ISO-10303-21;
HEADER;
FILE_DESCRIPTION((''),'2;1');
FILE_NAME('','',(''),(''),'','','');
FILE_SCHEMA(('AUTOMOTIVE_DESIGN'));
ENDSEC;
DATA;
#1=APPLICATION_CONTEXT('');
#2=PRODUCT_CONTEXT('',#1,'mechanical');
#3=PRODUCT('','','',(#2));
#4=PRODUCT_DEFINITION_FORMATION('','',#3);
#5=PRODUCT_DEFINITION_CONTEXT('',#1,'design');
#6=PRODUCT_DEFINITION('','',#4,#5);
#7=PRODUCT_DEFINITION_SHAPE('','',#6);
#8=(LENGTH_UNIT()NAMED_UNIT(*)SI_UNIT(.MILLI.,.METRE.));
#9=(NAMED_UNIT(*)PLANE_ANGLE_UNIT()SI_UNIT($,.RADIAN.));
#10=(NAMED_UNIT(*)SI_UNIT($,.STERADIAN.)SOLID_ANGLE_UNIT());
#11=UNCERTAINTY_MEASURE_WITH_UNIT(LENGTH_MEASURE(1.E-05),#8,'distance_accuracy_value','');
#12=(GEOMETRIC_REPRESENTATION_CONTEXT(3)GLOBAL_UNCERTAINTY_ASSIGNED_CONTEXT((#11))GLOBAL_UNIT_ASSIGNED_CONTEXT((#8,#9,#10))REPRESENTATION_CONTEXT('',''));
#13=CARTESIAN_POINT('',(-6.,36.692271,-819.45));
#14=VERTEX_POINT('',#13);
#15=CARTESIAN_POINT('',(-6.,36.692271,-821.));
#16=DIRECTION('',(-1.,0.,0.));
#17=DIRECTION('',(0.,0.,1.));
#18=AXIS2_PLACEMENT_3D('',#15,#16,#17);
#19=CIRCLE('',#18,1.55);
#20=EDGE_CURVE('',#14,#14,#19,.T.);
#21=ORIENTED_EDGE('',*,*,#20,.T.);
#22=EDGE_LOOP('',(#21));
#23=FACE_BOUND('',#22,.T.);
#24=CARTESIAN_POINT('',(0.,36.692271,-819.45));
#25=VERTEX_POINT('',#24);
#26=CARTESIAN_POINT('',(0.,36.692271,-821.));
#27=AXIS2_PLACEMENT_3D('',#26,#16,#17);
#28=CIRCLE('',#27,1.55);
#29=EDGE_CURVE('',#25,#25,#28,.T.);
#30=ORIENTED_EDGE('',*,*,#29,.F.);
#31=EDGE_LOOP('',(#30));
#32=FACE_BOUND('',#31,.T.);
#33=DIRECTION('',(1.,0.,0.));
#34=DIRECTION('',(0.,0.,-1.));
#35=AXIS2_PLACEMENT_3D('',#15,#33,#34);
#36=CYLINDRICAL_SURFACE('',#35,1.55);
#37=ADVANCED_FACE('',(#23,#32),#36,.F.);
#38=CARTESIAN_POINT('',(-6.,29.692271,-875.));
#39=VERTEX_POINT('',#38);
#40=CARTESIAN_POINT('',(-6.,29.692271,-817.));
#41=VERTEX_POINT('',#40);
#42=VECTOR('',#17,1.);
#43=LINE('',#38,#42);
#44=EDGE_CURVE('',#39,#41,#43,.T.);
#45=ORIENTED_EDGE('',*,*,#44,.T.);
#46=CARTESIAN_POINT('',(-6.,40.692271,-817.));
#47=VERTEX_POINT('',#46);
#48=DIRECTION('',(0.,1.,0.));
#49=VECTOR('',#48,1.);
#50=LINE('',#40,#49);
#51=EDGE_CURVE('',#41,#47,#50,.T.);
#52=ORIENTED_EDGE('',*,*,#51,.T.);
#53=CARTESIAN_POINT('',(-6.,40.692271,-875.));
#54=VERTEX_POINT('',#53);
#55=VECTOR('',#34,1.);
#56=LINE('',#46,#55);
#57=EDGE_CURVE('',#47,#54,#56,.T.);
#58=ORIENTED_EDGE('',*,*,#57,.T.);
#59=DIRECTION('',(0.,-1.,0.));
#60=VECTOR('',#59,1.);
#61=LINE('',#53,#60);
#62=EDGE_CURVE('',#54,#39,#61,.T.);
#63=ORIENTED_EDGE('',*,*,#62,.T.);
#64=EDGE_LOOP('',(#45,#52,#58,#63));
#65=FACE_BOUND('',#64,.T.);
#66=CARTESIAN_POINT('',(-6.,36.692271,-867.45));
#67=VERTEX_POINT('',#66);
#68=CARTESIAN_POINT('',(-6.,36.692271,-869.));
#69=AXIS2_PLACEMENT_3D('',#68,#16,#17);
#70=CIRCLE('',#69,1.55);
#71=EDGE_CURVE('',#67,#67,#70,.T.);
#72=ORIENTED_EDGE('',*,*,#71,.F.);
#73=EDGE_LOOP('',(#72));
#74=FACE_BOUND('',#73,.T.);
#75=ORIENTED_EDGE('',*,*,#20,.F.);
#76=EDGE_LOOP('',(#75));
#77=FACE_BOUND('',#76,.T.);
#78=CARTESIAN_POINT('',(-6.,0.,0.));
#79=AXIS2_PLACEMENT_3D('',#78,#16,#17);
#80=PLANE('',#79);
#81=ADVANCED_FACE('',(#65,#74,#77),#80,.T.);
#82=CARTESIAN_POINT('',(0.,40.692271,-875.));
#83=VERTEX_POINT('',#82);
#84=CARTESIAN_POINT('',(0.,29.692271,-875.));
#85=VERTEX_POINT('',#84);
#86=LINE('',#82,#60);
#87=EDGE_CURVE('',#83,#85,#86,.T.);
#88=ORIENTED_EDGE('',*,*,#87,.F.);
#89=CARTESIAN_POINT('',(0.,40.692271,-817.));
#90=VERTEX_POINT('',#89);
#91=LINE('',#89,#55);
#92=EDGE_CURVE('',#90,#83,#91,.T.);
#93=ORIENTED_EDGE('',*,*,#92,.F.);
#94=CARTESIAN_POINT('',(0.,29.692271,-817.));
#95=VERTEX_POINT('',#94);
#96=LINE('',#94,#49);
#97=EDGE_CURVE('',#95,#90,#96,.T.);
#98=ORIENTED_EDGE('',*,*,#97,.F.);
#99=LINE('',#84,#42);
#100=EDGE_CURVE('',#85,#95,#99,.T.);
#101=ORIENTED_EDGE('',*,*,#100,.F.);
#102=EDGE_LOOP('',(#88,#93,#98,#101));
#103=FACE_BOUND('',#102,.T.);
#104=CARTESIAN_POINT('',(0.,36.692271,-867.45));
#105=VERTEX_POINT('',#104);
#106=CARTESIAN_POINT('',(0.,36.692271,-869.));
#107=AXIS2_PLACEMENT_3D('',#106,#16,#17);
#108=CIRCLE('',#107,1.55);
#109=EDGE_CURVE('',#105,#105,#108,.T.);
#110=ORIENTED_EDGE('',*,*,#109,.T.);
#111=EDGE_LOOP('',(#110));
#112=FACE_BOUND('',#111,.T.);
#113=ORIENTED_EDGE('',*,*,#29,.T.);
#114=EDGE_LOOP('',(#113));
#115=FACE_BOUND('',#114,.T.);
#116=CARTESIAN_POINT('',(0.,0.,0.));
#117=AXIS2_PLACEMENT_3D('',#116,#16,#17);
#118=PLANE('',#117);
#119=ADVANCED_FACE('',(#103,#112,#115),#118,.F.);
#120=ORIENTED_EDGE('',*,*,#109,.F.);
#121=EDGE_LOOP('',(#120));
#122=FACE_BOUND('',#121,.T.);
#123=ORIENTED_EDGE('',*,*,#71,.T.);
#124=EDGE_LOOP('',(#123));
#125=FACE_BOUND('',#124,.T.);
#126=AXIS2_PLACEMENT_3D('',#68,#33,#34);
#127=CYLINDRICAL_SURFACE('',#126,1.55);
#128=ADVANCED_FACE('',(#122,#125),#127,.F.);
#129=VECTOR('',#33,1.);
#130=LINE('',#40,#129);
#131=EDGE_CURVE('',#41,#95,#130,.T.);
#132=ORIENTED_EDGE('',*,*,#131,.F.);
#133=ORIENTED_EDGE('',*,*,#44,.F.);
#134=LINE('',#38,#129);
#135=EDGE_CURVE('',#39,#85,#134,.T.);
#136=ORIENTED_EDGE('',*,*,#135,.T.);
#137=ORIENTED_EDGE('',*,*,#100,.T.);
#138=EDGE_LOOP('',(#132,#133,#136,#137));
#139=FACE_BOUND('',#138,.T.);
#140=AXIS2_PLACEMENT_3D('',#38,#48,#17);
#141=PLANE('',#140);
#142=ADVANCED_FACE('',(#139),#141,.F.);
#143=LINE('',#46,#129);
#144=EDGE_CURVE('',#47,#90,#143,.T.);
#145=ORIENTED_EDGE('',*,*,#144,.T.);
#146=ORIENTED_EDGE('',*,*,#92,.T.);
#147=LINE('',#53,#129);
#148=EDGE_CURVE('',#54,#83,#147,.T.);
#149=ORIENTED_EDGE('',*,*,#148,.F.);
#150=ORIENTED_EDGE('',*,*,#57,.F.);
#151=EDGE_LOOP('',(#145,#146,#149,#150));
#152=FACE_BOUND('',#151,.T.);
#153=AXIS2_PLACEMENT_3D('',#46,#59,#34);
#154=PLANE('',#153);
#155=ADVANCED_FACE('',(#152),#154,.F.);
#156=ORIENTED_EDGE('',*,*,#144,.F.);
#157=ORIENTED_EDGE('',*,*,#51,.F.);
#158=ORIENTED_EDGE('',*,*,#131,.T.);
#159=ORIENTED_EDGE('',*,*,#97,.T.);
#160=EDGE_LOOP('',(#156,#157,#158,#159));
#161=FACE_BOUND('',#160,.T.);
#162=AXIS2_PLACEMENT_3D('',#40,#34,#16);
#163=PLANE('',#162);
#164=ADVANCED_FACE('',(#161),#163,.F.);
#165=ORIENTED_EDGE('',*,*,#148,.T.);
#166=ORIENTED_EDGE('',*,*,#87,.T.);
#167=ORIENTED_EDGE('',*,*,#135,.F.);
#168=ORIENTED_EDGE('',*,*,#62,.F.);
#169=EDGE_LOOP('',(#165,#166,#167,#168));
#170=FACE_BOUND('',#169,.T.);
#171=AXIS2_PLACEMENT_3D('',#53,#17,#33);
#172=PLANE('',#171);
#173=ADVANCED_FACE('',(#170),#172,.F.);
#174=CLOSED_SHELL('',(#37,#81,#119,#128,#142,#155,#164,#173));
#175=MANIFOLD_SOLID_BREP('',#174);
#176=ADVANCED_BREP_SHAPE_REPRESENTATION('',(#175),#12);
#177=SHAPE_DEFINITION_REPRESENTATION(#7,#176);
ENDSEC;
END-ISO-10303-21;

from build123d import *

# Parameters (mm, degrees)
SZKIC1_W                    = 58
SZKIC1_H                    = 11
SZKIC1_R                    = 1.55
DODANIE_WYCI_GNI_CIE1_DEPTH = 6


with BuildPart() as part:
    # Szkic1 → Dodanie-wyciągnięcie1 (new body)
    with BuildSketch(Plane.ZY):
        with Locations((-846, 35.19227062)):
            Rectangle(SZKIC1_W, SZKIC1_H)
        with Locations((-869, 36.69227062)):
            Circle(SZKIC1_R, mode=Mode.SUBTRACT)
        with Locations((-821, 36.69227062)):
            Circle(SZKIC1_R, mode=Mode.SUBTRACT)
    extrude(amount=DODANIE_WYCI_GNI_CIE1_DEPTH)


solid = part.part
